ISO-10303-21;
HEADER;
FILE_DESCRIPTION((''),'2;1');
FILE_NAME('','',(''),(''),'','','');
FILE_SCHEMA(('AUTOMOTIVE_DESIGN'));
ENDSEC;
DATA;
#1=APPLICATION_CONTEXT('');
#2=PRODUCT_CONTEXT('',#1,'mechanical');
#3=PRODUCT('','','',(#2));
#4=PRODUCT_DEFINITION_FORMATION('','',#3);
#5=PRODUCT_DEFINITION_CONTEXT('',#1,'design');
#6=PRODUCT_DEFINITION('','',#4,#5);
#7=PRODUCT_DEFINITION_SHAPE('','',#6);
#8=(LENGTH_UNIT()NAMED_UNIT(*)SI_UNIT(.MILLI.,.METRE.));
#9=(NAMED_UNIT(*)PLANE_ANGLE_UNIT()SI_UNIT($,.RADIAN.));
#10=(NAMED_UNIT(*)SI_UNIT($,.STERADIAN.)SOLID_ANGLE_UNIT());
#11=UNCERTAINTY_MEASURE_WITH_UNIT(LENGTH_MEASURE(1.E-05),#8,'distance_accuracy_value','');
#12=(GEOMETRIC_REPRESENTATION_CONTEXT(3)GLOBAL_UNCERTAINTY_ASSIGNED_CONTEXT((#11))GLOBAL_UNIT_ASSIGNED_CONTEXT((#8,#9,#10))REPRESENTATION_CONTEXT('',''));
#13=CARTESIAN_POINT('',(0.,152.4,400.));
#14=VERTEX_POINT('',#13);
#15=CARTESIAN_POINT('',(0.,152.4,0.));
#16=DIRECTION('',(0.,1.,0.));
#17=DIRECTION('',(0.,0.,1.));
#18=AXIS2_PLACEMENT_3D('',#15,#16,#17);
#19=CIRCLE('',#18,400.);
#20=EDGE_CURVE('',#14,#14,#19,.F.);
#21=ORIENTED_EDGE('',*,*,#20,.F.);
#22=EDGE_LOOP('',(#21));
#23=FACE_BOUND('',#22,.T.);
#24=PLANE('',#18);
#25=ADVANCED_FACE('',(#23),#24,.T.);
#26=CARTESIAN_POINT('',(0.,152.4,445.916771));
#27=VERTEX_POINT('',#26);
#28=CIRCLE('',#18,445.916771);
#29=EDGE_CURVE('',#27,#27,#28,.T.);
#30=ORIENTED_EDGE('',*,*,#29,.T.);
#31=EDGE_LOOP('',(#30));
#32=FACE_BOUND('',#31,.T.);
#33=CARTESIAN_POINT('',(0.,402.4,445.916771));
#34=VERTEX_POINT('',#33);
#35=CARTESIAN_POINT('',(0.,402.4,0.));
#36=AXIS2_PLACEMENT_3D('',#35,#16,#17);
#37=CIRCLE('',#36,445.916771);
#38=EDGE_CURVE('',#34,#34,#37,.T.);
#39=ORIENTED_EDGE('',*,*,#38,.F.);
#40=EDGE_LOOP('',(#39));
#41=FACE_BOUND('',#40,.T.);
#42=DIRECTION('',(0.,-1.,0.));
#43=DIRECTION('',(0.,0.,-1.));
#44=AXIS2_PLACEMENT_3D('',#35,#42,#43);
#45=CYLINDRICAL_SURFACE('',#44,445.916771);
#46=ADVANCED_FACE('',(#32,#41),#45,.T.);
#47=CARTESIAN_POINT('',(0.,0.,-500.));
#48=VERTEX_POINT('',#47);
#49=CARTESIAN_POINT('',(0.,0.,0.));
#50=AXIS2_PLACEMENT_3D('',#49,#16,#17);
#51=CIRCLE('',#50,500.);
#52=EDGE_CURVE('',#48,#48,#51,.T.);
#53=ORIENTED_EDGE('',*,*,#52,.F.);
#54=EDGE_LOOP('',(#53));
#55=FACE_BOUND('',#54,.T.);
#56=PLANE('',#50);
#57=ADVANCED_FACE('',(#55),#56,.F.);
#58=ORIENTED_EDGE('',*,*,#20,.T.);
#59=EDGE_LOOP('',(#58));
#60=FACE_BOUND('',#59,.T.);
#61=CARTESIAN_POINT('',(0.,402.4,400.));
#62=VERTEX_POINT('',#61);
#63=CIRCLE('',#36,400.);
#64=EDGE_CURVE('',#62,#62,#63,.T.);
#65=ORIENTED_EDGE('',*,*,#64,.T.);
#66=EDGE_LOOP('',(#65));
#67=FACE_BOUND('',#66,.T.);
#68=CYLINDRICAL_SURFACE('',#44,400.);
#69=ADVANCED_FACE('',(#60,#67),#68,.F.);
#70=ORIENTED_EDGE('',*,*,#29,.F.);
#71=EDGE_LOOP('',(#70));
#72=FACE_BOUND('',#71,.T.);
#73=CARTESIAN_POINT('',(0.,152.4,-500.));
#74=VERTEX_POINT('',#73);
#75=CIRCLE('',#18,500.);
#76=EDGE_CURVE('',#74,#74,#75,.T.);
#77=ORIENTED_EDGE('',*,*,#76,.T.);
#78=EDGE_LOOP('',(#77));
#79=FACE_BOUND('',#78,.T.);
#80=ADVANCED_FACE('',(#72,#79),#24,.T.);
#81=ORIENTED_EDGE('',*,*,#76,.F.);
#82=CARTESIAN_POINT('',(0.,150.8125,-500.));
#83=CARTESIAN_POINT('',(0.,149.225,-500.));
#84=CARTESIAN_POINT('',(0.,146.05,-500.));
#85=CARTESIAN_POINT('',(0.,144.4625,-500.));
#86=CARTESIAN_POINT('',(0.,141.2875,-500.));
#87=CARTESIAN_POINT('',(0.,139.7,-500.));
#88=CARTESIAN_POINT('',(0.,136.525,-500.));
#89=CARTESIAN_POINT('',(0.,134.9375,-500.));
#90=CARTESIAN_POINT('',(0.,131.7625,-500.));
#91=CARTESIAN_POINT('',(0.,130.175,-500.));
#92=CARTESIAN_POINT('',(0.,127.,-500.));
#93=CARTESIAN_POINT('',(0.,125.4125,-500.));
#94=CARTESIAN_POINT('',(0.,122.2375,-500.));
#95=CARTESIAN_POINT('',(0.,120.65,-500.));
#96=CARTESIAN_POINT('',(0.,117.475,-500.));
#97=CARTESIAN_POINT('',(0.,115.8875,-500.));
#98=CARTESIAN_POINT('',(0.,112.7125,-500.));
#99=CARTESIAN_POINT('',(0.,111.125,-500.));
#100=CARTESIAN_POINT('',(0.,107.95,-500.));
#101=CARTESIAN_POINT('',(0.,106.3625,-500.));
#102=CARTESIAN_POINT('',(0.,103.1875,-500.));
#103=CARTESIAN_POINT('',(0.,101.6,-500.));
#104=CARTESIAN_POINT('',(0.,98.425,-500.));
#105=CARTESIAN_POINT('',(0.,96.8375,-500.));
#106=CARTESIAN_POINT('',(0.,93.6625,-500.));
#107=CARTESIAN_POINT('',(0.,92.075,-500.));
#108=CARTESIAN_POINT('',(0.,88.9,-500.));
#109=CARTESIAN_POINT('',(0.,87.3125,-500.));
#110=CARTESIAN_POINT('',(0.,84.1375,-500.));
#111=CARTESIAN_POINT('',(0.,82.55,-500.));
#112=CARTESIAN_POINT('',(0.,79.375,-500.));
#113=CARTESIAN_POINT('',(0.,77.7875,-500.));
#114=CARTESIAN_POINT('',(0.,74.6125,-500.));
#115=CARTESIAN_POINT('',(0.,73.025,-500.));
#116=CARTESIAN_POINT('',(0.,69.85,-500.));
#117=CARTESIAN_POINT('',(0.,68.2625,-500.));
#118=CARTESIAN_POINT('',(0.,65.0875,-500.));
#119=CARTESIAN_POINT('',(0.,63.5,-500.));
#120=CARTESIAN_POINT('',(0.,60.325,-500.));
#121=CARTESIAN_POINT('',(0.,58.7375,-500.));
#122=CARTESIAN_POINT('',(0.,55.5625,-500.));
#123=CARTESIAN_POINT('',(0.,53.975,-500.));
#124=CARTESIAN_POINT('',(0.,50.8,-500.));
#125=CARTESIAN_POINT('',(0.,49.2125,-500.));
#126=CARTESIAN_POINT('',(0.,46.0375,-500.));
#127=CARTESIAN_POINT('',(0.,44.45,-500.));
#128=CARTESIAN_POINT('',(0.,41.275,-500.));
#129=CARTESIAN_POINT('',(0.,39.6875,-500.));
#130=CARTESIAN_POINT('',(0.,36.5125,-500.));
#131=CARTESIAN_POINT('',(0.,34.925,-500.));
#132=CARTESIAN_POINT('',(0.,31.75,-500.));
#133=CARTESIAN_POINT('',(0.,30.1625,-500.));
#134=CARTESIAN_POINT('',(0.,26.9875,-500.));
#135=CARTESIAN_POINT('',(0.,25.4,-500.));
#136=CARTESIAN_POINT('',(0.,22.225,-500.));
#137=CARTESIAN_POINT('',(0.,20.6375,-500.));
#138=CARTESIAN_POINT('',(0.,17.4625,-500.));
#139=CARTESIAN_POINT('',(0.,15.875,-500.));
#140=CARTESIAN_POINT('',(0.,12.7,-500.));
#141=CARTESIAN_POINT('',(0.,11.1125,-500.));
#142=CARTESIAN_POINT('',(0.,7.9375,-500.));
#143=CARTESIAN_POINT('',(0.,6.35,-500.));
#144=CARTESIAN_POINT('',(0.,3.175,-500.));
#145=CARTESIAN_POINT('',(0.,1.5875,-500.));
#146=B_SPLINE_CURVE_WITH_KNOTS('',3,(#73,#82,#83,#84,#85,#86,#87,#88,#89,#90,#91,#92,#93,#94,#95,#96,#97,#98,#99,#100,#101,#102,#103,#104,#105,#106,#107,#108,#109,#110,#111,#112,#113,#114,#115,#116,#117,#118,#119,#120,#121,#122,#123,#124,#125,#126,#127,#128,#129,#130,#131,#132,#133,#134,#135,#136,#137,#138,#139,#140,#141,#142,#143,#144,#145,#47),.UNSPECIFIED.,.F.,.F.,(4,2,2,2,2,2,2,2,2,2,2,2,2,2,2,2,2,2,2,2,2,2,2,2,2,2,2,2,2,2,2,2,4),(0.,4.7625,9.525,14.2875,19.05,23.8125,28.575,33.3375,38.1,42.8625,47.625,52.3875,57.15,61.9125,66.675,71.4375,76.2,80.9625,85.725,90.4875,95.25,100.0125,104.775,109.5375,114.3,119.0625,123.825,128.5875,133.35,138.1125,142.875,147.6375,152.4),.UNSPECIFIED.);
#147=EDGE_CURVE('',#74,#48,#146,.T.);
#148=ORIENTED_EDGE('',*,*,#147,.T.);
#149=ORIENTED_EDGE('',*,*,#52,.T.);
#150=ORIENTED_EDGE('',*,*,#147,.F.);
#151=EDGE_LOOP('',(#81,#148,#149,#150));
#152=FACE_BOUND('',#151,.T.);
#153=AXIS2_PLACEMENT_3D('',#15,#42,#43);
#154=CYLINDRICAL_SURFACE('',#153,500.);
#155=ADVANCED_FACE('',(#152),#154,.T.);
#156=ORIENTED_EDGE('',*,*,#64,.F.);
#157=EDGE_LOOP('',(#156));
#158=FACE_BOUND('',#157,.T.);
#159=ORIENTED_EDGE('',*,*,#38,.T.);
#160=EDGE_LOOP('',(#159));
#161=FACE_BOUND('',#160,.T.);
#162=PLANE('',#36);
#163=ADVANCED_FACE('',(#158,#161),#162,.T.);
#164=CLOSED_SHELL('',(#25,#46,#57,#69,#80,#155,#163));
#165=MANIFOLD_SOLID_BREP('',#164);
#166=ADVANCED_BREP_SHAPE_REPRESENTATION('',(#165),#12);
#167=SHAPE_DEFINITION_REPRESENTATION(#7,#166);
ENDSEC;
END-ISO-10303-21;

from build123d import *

# Parameters (mm, degrees)
SKETCH2_R           = 500
BOSS_EXTRUDE1_DEPTH = 152.4
SKETCH3_R           = 445.916770951
SKETCH3_R_2         = 400
BOSS_EXTRUDE2_DEPTH = 250


with BuildPart() as part:
    # Sketch2 → Boss-Extrude1 (new body)
    with BuildSketch(Plane(origin=(0, 0, 0), x_dir=(1, 0, 0), z_dir=(0, 1, 0))):
        with Locations(Location((0, 0, 0), (0, 0, 90))):
            Circle(SKETCH2_R)
    extrude(amount=BOSS_EXTRUDE1_DEPTH)

    # Sketch3 → Boss-Extrude2 (add)
    with BuildSketch(Plane(origin=(0, 152.4, 0), x_dir=(1, 0, 0), z_dir=(0, 1, 0))):
        with Locations(Location((0, 0, 0), (0, 0, 270))):
            Circle(SKETCH3_R)
        with Locations(Location((0, 0, 0), (0, 0, 270))):
            Circle(SKETCH3_R_2, mode=Mode.SUBTRACT)
    extrude(amount=BOSS_EXTRUDE2_DEPTH)


solid = part.part
